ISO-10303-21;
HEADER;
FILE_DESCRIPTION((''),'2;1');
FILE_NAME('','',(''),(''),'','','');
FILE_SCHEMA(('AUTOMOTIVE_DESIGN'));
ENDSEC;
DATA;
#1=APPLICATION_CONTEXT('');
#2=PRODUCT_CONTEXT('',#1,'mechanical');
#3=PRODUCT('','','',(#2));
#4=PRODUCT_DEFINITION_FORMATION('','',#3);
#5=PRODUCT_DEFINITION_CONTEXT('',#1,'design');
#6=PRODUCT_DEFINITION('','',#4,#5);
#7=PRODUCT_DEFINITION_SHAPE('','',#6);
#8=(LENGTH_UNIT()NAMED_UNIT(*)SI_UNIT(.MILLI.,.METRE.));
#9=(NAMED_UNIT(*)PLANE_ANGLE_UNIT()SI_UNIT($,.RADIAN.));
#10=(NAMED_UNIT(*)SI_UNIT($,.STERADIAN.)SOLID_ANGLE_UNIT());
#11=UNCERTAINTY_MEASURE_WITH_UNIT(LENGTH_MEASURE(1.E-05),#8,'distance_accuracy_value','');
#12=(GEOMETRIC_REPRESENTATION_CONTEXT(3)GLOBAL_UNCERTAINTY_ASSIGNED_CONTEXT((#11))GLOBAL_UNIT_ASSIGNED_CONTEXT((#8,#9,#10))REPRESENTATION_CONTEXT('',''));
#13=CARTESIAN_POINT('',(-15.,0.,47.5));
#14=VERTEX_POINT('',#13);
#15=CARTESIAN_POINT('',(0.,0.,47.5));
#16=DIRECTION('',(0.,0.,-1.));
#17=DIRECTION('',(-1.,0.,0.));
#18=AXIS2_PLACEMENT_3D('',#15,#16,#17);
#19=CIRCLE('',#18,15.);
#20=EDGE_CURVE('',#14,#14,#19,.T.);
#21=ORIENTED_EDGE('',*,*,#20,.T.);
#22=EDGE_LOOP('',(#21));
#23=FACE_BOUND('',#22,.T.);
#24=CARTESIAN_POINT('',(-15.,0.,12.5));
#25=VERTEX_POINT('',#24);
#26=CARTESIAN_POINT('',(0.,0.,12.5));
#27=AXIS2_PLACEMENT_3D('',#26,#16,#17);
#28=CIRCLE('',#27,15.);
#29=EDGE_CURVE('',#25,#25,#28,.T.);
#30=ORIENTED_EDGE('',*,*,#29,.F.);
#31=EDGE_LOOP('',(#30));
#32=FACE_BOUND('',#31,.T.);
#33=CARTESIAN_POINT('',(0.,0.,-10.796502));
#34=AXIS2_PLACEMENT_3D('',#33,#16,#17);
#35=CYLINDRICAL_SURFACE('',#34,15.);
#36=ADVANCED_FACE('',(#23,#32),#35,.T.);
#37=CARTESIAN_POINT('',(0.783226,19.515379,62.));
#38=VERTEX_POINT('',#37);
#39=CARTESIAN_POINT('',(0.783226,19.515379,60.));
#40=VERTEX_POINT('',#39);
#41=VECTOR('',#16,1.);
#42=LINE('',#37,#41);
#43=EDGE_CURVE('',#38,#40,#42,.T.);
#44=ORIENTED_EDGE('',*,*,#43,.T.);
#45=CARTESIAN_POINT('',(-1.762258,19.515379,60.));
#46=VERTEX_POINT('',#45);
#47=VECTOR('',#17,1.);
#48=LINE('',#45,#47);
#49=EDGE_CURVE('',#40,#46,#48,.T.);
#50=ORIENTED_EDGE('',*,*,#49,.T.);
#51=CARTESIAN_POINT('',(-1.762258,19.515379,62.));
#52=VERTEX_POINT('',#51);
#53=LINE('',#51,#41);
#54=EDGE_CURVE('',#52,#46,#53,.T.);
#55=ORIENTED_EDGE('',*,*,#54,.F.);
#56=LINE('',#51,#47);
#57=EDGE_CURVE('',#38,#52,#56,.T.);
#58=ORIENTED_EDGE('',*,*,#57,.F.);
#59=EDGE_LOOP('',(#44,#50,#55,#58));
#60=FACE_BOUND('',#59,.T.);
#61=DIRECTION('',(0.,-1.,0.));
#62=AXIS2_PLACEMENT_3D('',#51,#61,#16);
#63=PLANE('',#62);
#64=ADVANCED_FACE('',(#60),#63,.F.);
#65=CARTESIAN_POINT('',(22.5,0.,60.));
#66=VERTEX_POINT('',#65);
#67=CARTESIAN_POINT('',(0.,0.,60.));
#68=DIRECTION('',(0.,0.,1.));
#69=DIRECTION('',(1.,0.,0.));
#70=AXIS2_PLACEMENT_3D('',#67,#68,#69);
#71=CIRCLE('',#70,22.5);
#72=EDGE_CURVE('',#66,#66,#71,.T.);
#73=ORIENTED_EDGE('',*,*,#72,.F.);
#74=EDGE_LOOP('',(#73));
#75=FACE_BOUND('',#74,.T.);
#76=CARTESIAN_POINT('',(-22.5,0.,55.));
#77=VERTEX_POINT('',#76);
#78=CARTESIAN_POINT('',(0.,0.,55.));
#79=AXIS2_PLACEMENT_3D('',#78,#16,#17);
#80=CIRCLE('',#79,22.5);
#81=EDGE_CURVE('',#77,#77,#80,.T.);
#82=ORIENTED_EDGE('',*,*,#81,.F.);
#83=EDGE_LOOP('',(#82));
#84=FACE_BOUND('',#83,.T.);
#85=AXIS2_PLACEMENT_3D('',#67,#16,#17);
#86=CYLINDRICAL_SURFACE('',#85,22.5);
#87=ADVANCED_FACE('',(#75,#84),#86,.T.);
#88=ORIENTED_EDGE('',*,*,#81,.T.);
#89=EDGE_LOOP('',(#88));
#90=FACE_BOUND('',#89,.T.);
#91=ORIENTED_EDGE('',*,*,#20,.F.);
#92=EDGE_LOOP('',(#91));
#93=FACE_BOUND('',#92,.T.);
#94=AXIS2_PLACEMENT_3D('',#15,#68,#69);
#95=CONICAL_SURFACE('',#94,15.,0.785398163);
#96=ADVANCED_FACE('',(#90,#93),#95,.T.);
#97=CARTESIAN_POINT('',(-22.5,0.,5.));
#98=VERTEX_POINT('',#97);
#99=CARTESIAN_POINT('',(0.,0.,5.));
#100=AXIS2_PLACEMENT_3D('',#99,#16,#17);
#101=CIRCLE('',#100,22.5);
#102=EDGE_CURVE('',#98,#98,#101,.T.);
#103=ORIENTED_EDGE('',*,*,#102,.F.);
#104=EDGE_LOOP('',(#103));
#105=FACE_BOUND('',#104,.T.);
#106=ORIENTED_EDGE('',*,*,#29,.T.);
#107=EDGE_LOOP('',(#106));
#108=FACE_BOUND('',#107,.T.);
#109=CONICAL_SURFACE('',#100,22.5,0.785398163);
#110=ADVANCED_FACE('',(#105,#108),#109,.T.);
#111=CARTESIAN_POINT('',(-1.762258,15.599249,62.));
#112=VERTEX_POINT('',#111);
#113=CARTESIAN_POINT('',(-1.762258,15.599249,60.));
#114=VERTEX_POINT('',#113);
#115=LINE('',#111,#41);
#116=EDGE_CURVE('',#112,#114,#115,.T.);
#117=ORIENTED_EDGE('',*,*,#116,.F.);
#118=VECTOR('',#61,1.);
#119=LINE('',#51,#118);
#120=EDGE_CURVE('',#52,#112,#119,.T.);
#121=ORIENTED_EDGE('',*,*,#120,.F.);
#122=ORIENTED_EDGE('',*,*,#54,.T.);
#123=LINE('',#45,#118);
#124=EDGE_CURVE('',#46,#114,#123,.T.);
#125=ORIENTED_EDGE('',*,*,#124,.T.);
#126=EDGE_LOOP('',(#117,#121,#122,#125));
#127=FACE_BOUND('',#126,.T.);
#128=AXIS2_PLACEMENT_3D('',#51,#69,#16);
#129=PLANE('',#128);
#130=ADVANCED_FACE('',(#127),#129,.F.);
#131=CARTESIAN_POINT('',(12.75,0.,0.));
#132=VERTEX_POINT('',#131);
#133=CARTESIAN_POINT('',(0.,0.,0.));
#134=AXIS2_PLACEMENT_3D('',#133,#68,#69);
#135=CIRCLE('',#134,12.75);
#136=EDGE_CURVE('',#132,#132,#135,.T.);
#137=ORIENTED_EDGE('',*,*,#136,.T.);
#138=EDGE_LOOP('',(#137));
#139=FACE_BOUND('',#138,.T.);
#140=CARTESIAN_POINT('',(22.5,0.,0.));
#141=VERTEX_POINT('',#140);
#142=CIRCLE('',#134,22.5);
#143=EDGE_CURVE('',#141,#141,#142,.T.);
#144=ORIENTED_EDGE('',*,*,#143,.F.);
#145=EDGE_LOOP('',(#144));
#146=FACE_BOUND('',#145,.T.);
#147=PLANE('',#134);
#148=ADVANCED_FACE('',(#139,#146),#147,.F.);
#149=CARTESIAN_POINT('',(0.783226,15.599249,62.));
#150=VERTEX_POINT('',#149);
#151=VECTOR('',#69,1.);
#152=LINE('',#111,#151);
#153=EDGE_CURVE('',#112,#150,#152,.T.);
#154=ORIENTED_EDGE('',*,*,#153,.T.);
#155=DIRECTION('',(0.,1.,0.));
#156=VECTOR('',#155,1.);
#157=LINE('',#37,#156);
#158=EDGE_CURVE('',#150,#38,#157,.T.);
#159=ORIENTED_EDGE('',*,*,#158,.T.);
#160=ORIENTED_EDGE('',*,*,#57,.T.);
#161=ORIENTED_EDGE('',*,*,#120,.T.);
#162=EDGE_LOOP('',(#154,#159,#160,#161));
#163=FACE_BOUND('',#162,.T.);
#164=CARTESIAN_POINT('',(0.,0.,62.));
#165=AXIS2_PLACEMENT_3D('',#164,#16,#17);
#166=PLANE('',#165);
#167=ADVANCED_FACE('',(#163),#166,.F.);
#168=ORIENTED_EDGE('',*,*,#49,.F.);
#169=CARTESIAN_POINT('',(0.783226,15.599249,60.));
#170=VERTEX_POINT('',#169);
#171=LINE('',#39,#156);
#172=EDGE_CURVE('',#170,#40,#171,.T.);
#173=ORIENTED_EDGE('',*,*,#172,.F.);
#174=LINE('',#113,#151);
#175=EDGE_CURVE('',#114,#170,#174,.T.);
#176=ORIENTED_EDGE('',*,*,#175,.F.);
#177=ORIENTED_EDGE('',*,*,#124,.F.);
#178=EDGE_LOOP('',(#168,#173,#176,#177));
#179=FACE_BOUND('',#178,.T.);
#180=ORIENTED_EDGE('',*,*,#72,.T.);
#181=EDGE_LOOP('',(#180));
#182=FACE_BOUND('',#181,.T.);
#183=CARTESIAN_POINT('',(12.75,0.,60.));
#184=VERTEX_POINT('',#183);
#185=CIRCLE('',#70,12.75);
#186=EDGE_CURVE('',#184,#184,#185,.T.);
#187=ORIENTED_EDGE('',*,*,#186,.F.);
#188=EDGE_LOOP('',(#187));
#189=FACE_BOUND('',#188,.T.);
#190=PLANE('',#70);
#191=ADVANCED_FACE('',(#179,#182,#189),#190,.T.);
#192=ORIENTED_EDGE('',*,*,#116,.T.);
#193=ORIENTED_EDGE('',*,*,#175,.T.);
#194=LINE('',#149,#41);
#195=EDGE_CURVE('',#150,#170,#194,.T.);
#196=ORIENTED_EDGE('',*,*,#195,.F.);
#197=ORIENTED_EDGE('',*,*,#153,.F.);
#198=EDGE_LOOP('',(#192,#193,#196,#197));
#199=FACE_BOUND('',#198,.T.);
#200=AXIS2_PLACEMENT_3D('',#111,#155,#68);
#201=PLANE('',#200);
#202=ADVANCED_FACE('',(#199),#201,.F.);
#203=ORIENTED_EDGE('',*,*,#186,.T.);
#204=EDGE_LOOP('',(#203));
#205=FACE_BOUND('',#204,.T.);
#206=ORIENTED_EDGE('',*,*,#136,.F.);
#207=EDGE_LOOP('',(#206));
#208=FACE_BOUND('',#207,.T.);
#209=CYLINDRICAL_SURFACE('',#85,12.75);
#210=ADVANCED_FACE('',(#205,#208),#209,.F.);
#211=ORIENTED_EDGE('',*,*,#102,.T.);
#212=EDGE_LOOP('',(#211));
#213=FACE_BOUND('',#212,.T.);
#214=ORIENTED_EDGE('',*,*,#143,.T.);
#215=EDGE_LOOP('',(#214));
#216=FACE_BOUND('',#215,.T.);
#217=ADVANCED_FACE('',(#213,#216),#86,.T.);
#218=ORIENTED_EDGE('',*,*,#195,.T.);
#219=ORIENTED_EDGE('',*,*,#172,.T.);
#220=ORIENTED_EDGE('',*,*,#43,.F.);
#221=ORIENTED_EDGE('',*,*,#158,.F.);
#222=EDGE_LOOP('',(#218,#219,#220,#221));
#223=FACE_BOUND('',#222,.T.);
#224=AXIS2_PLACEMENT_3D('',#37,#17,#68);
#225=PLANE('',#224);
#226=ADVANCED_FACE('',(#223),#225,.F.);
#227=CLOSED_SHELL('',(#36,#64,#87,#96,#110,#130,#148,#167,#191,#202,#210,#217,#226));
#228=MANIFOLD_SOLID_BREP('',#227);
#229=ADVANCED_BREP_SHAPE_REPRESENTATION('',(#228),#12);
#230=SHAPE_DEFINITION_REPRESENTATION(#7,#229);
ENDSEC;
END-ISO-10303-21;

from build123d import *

# Parameters (mm, degrees)
SKETCH2_R           = 22.5
SKETCH2_R_2         = 12.75
BOSS_EXTRUDE1_DEPTH = 60
SKETCH4_W           = 2.545484213
SKETCH4_H           = 3.916129558
BOSS_EXTRUDE2_DEPTH = 2


with BuildPart() as part:
    # Sketch2 → Boss-Extrude1 (new body)
    with BuildSketch(Plane.XY):
        Circle(SKETCH2_R)
        Circle(SKETCH2_R_2, mode=Mode.SUBTRACT)
    extrude(amount=BOSS_EXTRUDE1_DEPTH)

    # Sketch3 → Cut-Revolve1 (revolve, cut)
    with BuildSketch(Plane(origin=(0, 0, 0), x_dir=(1, 0, 0), z_dir=(0, 1, 0)), mode=Mode.PRIVATE) as cut_revolve1_sk:
        Polygon((22.5, -5), (22.5, -55), (15, -47.5), (15, -12.5), align=None)
    revolve(cut_revolve1_sk.sketch.rotate(Axis((0, 0, -10.796502134), (0, 0, 1)), 180), axis=Axis((0, 0, -10.796502134), (0, 0, 1)), mode=Mode.SUBTRACT)

    # Sketch4 → Boss-Extrude2 (add)
    with BuildSketch(Plane.XY.offset(60)):
        with Locations((-0.489516195, 17.557314188)):
            Rectangle(SKETCH4_W, SKETCH4_H)
    extrude(amount=BOSS_EXTRUDE2_DEPTH)


solid = part.part
